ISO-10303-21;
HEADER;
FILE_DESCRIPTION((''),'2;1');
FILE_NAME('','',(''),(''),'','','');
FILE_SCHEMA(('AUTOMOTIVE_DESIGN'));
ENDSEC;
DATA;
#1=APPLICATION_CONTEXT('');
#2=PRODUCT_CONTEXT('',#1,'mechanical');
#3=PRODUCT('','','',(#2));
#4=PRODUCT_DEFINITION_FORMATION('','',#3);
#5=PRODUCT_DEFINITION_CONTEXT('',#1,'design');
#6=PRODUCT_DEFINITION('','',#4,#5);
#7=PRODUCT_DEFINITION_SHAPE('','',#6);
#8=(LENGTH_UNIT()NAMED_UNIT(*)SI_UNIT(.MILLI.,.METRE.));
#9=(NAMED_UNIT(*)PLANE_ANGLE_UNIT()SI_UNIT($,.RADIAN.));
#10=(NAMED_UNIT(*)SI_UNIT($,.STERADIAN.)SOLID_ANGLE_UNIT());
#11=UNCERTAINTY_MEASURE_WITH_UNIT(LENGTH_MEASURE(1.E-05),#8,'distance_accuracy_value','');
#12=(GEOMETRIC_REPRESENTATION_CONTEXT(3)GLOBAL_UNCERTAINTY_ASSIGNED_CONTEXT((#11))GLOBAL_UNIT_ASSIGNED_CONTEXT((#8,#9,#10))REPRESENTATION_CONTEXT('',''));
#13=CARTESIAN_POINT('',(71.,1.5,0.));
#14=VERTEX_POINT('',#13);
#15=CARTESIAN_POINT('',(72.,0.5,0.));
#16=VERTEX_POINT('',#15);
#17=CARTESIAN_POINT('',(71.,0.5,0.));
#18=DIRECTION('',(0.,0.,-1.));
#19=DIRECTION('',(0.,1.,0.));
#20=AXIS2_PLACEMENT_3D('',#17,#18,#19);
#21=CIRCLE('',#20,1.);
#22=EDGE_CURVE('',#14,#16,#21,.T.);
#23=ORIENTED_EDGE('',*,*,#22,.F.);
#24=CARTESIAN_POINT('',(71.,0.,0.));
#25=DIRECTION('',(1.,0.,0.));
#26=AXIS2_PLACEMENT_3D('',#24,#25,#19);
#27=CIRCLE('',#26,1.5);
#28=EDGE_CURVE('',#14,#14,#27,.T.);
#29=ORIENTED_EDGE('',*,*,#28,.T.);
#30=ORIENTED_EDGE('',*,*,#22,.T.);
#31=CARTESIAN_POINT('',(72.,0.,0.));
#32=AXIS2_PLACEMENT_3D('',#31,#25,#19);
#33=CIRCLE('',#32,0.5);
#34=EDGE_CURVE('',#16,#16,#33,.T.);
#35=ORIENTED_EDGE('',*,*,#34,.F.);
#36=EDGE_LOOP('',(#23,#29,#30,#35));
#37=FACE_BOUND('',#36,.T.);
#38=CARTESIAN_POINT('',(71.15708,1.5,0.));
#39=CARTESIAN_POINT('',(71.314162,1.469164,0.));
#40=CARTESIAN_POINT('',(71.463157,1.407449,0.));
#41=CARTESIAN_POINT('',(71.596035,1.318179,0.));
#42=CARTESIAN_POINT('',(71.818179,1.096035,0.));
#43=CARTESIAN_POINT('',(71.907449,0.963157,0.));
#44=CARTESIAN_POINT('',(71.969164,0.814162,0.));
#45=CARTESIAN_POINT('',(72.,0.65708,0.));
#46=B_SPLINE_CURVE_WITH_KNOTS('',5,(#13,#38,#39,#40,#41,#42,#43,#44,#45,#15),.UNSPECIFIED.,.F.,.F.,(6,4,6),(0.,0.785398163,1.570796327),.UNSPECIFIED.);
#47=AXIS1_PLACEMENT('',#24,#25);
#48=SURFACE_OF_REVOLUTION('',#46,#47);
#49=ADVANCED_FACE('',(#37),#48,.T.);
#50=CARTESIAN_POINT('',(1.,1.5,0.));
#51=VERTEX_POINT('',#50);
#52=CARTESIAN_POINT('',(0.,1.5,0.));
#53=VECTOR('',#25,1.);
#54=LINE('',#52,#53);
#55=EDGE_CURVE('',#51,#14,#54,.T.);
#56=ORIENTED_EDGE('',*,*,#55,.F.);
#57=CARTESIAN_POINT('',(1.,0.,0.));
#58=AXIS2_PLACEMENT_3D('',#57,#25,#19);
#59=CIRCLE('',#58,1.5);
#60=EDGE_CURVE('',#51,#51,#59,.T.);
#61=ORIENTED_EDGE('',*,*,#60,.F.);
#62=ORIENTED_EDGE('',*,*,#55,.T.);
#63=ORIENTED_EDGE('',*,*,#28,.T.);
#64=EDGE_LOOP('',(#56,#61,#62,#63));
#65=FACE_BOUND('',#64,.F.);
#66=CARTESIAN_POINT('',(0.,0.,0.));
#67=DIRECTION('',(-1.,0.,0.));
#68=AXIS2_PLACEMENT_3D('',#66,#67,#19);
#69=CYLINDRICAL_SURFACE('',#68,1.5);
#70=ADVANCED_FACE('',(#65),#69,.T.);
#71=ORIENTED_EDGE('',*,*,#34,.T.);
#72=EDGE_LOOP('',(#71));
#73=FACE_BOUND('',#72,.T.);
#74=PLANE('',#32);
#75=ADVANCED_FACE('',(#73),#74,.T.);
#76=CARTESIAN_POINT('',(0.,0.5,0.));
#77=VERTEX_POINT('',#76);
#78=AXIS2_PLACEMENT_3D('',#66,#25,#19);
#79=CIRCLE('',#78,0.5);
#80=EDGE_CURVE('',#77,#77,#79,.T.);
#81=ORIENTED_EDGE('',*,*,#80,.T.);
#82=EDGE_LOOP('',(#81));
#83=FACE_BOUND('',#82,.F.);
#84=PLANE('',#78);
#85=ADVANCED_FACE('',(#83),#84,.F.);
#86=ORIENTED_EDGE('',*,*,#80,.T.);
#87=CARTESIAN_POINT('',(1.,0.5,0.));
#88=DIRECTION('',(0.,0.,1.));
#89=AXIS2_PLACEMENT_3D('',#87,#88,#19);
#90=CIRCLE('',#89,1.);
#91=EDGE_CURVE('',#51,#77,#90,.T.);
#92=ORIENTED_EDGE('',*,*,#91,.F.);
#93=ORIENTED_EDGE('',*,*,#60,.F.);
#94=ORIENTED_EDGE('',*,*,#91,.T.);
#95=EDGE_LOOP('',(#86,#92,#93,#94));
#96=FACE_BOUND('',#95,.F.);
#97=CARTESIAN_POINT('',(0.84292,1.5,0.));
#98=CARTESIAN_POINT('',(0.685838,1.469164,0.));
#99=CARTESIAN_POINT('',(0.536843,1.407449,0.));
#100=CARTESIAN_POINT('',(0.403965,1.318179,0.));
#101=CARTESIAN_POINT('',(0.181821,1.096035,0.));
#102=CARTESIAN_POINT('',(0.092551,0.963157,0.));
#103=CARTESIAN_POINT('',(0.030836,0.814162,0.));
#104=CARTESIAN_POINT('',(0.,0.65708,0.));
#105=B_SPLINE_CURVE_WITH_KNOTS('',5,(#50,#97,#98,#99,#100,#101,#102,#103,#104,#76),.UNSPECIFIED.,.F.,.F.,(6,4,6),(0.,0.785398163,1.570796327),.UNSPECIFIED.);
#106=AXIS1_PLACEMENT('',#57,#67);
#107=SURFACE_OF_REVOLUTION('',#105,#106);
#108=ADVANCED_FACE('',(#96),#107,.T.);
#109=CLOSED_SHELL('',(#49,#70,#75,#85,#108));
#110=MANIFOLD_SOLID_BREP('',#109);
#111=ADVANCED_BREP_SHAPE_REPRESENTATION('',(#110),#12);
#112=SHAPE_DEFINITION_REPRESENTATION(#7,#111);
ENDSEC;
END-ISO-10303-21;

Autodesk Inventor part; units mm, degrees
ref_plane "YZ Plane" through (0, 0, 0) normal (1, 0, 0) x (0, 1, 0)
ref_plane "XZ Plane" through (0, 0, 0) normal (0, 1, 0) x (-1, 0, 0)
ref_plane "XY Plane" through (0, 0, 0) normal (0, 0, 1) x (1, 0, 0)
sketch "Эскиз1" plane through (0, 0, 0) normal (1, 0, 0) x (0, 1, 0)
  circle A0 centre (0, 0) radius 1.5
  dimension "d0" = 3
extrude "Выдавливание1" add sketch "Эскиз1" along normal blind 72
fillet "Сопряжение1" radius 1 1 edges at (72, -1.5, 0)
fillet "Сопряжение2" radius 1 1 edges at (0, -1.5, 0)
properties part number "Шпилька для Лепестков"
